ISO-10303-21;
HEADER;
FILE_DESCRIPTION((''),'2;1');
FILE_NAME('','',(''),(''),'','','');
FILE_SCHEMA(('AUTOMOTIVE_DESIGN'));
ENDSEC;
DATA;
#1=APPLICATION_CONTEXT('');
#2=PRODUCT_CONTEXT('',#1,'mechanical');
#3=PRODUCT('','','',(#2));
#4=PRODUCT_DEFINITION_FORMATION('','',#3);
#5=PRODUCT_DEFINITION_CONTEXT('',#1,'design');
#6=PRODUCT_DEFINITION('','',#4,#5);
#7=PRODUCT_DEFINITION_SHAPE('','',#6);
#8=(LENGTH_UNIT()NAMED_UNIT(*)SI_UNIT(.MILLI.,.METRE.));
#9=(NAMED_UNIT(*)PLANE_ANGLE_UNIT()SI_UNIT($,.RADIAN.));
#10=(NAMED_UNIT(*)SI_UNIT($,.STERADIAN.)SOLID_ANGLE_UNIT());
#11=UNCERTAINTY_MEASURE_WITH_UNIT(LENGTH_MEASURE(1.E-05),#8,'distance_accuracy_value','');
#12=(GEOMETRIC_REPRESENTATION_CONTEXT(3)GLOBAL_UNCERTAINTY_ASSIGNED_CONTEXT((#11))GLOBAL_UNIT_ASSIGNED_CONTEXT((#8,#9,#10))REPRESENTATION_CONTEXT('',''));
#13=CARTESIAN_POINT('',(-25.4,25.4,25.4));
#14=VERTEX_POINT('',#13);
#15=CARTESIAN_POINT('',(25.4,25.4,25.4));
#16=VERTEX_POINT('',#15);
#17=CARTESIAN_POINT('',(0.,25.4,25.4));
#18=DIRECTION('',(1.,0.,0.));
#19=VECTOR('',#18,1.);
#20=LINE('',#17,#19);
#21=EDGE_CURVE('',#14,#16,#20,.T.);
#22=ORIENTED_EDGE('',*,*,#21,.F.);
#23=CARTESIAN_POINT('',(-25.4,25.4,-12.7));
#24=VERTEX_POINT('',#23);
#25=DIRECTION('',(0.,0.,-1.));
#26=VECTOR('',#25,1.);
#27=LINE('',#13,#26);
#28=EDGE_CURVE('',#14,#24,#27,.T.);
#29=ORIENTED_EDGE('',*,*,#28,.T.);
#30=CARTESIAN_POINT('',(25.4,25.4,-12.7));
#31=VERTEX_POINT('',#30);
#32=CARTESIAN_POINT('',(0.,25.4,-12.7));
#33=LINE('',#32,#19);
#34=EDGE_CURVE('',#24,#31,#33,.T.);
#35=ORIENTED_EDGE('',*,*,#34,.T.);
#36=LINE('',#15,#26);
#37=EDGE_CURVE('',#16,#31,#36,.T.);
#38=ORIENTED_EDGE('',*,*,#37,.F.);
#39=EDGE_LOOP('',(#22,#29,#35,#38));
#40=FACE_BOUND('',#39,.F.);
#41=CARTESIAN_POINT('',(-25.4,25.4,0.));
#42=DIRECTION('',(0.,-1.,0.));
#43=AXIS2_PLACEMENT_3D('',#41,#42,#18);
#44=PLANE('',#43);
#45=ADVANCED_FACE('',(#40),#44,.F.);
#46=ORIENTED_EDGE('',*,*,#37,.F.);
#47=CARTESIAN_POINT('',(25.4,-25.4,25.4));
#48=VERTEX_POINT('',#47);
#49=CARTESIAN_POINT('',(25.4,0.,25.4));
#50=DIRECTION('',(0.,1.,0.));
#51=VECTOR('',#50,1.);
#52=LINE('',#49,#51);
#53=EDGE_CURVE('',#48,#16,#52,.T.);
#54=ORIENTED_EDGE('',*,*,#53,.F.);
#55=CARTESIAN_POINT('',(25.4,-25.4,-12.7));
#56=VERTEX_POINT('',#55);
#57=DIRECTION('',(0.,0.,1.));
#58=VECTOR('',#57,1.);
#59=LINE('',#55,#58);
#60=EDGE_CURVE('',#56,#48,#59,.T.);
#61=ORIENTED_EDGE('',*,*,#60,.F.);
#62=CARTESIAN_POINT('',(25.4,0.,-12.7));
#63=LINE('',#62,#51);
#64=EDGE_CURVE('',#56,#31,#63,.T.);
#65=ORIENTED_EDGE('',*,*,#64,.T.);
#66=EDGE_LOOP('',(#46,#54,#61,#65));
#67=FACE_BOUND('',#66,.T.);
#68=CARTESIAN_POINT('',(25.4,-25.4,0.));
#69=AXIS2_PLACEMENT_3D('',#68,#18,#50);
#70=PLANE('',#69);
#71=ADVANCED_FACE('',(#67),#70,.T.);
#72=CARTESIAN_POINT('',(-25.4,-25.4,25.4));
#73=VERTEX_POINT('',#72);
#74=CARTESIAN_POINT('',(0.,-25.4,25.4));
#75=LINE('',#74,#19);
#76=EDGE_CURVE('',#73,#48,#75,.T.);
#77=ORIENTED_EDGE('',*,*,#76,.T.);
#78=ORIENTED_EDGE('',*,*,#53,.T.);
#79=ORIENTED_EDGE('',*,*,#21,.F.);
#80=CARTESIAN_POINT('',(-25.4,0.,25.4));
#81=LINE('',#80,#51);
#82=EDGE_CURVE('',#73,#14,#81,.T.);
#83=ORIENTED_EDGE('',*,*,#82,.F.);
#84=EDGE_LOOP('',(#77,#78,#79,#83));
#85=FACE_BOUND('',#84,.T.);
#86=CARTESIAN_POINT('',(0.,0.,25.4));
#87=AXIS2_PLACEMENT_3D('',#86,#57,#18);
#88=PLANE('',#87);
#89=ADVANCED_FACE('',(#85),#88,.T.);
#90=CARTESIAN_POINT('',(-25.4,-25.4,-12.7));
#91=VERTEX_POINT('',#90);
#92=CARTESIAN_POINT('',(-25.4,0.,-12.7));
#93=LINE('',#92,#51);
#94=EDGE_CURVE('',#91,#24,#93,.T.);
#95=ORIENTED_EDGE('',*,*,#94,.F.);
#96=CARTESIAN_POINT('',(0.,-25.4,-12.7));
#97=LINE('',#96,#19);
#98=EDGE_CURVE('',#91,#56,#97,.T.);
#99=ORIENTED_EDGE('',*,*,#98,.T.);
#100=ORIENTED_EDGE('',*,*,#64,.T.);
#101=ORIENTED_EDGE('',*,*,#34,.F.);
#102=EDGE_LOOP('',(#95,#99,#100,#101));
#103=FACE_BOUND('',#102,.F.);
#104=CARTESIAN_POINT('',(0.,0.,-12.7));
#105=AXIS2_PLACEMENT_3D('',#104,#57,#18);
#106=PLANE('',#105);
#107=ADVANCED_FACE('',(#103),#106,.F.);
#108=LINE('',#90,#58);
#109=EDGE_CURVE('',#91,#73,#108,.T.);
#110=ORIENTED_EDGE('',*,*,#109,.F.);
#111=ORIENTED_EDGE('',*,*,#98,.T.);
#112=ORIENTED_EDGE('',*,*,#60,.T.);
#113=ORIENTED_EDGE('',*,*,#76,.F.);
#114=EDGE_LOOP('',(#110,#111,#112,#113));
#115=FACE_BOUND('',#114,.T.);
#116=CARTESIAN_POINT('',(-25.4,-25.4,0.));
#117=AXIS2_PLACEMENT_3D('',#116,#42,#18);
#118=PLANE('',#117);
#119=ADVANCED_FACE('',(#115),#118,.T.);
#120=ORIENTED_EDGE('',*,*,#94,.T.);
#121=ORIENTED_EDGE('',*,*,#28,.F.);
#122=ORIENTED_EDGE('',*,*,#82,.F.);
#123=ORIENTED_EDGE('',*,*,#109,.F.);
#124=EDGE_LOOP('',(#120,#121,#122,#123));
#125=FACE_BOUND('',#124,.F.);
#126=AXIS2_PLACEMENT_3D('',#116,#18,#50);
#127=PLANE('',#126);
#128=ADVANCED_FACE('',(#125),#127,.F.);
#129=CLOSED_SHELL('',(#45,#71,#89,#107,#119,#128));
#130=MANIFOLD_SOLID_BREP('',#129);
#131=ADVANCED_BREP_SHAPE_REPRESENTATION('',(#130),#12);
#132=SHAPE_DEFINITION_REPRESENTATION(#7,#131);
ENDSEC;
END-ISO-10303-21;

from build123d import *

# Parameters (mm, degrees)
F0_W          = 50.8
F0_H          = 50.8
F0_R          = 12.7
F1_DEPTH      = 25.4
F1_DEPTH_BACK = 12.7


with BuildPart() as f1:
    # F0 (on Top) → F1 (new body, two sides)
    with BuildSketch(Plane.XY) as f1_sk:
        Rectangle(F0_W, F0_H)
        Circle(F0_R, mode=Mode.SUBTRACT)
        Circle(F0_R)
    extrude(amount=F1_DEPTH)
    extrude(f1_sk.sketch, amount=-F1_DEPTH_BACK)


solid = f1.part
